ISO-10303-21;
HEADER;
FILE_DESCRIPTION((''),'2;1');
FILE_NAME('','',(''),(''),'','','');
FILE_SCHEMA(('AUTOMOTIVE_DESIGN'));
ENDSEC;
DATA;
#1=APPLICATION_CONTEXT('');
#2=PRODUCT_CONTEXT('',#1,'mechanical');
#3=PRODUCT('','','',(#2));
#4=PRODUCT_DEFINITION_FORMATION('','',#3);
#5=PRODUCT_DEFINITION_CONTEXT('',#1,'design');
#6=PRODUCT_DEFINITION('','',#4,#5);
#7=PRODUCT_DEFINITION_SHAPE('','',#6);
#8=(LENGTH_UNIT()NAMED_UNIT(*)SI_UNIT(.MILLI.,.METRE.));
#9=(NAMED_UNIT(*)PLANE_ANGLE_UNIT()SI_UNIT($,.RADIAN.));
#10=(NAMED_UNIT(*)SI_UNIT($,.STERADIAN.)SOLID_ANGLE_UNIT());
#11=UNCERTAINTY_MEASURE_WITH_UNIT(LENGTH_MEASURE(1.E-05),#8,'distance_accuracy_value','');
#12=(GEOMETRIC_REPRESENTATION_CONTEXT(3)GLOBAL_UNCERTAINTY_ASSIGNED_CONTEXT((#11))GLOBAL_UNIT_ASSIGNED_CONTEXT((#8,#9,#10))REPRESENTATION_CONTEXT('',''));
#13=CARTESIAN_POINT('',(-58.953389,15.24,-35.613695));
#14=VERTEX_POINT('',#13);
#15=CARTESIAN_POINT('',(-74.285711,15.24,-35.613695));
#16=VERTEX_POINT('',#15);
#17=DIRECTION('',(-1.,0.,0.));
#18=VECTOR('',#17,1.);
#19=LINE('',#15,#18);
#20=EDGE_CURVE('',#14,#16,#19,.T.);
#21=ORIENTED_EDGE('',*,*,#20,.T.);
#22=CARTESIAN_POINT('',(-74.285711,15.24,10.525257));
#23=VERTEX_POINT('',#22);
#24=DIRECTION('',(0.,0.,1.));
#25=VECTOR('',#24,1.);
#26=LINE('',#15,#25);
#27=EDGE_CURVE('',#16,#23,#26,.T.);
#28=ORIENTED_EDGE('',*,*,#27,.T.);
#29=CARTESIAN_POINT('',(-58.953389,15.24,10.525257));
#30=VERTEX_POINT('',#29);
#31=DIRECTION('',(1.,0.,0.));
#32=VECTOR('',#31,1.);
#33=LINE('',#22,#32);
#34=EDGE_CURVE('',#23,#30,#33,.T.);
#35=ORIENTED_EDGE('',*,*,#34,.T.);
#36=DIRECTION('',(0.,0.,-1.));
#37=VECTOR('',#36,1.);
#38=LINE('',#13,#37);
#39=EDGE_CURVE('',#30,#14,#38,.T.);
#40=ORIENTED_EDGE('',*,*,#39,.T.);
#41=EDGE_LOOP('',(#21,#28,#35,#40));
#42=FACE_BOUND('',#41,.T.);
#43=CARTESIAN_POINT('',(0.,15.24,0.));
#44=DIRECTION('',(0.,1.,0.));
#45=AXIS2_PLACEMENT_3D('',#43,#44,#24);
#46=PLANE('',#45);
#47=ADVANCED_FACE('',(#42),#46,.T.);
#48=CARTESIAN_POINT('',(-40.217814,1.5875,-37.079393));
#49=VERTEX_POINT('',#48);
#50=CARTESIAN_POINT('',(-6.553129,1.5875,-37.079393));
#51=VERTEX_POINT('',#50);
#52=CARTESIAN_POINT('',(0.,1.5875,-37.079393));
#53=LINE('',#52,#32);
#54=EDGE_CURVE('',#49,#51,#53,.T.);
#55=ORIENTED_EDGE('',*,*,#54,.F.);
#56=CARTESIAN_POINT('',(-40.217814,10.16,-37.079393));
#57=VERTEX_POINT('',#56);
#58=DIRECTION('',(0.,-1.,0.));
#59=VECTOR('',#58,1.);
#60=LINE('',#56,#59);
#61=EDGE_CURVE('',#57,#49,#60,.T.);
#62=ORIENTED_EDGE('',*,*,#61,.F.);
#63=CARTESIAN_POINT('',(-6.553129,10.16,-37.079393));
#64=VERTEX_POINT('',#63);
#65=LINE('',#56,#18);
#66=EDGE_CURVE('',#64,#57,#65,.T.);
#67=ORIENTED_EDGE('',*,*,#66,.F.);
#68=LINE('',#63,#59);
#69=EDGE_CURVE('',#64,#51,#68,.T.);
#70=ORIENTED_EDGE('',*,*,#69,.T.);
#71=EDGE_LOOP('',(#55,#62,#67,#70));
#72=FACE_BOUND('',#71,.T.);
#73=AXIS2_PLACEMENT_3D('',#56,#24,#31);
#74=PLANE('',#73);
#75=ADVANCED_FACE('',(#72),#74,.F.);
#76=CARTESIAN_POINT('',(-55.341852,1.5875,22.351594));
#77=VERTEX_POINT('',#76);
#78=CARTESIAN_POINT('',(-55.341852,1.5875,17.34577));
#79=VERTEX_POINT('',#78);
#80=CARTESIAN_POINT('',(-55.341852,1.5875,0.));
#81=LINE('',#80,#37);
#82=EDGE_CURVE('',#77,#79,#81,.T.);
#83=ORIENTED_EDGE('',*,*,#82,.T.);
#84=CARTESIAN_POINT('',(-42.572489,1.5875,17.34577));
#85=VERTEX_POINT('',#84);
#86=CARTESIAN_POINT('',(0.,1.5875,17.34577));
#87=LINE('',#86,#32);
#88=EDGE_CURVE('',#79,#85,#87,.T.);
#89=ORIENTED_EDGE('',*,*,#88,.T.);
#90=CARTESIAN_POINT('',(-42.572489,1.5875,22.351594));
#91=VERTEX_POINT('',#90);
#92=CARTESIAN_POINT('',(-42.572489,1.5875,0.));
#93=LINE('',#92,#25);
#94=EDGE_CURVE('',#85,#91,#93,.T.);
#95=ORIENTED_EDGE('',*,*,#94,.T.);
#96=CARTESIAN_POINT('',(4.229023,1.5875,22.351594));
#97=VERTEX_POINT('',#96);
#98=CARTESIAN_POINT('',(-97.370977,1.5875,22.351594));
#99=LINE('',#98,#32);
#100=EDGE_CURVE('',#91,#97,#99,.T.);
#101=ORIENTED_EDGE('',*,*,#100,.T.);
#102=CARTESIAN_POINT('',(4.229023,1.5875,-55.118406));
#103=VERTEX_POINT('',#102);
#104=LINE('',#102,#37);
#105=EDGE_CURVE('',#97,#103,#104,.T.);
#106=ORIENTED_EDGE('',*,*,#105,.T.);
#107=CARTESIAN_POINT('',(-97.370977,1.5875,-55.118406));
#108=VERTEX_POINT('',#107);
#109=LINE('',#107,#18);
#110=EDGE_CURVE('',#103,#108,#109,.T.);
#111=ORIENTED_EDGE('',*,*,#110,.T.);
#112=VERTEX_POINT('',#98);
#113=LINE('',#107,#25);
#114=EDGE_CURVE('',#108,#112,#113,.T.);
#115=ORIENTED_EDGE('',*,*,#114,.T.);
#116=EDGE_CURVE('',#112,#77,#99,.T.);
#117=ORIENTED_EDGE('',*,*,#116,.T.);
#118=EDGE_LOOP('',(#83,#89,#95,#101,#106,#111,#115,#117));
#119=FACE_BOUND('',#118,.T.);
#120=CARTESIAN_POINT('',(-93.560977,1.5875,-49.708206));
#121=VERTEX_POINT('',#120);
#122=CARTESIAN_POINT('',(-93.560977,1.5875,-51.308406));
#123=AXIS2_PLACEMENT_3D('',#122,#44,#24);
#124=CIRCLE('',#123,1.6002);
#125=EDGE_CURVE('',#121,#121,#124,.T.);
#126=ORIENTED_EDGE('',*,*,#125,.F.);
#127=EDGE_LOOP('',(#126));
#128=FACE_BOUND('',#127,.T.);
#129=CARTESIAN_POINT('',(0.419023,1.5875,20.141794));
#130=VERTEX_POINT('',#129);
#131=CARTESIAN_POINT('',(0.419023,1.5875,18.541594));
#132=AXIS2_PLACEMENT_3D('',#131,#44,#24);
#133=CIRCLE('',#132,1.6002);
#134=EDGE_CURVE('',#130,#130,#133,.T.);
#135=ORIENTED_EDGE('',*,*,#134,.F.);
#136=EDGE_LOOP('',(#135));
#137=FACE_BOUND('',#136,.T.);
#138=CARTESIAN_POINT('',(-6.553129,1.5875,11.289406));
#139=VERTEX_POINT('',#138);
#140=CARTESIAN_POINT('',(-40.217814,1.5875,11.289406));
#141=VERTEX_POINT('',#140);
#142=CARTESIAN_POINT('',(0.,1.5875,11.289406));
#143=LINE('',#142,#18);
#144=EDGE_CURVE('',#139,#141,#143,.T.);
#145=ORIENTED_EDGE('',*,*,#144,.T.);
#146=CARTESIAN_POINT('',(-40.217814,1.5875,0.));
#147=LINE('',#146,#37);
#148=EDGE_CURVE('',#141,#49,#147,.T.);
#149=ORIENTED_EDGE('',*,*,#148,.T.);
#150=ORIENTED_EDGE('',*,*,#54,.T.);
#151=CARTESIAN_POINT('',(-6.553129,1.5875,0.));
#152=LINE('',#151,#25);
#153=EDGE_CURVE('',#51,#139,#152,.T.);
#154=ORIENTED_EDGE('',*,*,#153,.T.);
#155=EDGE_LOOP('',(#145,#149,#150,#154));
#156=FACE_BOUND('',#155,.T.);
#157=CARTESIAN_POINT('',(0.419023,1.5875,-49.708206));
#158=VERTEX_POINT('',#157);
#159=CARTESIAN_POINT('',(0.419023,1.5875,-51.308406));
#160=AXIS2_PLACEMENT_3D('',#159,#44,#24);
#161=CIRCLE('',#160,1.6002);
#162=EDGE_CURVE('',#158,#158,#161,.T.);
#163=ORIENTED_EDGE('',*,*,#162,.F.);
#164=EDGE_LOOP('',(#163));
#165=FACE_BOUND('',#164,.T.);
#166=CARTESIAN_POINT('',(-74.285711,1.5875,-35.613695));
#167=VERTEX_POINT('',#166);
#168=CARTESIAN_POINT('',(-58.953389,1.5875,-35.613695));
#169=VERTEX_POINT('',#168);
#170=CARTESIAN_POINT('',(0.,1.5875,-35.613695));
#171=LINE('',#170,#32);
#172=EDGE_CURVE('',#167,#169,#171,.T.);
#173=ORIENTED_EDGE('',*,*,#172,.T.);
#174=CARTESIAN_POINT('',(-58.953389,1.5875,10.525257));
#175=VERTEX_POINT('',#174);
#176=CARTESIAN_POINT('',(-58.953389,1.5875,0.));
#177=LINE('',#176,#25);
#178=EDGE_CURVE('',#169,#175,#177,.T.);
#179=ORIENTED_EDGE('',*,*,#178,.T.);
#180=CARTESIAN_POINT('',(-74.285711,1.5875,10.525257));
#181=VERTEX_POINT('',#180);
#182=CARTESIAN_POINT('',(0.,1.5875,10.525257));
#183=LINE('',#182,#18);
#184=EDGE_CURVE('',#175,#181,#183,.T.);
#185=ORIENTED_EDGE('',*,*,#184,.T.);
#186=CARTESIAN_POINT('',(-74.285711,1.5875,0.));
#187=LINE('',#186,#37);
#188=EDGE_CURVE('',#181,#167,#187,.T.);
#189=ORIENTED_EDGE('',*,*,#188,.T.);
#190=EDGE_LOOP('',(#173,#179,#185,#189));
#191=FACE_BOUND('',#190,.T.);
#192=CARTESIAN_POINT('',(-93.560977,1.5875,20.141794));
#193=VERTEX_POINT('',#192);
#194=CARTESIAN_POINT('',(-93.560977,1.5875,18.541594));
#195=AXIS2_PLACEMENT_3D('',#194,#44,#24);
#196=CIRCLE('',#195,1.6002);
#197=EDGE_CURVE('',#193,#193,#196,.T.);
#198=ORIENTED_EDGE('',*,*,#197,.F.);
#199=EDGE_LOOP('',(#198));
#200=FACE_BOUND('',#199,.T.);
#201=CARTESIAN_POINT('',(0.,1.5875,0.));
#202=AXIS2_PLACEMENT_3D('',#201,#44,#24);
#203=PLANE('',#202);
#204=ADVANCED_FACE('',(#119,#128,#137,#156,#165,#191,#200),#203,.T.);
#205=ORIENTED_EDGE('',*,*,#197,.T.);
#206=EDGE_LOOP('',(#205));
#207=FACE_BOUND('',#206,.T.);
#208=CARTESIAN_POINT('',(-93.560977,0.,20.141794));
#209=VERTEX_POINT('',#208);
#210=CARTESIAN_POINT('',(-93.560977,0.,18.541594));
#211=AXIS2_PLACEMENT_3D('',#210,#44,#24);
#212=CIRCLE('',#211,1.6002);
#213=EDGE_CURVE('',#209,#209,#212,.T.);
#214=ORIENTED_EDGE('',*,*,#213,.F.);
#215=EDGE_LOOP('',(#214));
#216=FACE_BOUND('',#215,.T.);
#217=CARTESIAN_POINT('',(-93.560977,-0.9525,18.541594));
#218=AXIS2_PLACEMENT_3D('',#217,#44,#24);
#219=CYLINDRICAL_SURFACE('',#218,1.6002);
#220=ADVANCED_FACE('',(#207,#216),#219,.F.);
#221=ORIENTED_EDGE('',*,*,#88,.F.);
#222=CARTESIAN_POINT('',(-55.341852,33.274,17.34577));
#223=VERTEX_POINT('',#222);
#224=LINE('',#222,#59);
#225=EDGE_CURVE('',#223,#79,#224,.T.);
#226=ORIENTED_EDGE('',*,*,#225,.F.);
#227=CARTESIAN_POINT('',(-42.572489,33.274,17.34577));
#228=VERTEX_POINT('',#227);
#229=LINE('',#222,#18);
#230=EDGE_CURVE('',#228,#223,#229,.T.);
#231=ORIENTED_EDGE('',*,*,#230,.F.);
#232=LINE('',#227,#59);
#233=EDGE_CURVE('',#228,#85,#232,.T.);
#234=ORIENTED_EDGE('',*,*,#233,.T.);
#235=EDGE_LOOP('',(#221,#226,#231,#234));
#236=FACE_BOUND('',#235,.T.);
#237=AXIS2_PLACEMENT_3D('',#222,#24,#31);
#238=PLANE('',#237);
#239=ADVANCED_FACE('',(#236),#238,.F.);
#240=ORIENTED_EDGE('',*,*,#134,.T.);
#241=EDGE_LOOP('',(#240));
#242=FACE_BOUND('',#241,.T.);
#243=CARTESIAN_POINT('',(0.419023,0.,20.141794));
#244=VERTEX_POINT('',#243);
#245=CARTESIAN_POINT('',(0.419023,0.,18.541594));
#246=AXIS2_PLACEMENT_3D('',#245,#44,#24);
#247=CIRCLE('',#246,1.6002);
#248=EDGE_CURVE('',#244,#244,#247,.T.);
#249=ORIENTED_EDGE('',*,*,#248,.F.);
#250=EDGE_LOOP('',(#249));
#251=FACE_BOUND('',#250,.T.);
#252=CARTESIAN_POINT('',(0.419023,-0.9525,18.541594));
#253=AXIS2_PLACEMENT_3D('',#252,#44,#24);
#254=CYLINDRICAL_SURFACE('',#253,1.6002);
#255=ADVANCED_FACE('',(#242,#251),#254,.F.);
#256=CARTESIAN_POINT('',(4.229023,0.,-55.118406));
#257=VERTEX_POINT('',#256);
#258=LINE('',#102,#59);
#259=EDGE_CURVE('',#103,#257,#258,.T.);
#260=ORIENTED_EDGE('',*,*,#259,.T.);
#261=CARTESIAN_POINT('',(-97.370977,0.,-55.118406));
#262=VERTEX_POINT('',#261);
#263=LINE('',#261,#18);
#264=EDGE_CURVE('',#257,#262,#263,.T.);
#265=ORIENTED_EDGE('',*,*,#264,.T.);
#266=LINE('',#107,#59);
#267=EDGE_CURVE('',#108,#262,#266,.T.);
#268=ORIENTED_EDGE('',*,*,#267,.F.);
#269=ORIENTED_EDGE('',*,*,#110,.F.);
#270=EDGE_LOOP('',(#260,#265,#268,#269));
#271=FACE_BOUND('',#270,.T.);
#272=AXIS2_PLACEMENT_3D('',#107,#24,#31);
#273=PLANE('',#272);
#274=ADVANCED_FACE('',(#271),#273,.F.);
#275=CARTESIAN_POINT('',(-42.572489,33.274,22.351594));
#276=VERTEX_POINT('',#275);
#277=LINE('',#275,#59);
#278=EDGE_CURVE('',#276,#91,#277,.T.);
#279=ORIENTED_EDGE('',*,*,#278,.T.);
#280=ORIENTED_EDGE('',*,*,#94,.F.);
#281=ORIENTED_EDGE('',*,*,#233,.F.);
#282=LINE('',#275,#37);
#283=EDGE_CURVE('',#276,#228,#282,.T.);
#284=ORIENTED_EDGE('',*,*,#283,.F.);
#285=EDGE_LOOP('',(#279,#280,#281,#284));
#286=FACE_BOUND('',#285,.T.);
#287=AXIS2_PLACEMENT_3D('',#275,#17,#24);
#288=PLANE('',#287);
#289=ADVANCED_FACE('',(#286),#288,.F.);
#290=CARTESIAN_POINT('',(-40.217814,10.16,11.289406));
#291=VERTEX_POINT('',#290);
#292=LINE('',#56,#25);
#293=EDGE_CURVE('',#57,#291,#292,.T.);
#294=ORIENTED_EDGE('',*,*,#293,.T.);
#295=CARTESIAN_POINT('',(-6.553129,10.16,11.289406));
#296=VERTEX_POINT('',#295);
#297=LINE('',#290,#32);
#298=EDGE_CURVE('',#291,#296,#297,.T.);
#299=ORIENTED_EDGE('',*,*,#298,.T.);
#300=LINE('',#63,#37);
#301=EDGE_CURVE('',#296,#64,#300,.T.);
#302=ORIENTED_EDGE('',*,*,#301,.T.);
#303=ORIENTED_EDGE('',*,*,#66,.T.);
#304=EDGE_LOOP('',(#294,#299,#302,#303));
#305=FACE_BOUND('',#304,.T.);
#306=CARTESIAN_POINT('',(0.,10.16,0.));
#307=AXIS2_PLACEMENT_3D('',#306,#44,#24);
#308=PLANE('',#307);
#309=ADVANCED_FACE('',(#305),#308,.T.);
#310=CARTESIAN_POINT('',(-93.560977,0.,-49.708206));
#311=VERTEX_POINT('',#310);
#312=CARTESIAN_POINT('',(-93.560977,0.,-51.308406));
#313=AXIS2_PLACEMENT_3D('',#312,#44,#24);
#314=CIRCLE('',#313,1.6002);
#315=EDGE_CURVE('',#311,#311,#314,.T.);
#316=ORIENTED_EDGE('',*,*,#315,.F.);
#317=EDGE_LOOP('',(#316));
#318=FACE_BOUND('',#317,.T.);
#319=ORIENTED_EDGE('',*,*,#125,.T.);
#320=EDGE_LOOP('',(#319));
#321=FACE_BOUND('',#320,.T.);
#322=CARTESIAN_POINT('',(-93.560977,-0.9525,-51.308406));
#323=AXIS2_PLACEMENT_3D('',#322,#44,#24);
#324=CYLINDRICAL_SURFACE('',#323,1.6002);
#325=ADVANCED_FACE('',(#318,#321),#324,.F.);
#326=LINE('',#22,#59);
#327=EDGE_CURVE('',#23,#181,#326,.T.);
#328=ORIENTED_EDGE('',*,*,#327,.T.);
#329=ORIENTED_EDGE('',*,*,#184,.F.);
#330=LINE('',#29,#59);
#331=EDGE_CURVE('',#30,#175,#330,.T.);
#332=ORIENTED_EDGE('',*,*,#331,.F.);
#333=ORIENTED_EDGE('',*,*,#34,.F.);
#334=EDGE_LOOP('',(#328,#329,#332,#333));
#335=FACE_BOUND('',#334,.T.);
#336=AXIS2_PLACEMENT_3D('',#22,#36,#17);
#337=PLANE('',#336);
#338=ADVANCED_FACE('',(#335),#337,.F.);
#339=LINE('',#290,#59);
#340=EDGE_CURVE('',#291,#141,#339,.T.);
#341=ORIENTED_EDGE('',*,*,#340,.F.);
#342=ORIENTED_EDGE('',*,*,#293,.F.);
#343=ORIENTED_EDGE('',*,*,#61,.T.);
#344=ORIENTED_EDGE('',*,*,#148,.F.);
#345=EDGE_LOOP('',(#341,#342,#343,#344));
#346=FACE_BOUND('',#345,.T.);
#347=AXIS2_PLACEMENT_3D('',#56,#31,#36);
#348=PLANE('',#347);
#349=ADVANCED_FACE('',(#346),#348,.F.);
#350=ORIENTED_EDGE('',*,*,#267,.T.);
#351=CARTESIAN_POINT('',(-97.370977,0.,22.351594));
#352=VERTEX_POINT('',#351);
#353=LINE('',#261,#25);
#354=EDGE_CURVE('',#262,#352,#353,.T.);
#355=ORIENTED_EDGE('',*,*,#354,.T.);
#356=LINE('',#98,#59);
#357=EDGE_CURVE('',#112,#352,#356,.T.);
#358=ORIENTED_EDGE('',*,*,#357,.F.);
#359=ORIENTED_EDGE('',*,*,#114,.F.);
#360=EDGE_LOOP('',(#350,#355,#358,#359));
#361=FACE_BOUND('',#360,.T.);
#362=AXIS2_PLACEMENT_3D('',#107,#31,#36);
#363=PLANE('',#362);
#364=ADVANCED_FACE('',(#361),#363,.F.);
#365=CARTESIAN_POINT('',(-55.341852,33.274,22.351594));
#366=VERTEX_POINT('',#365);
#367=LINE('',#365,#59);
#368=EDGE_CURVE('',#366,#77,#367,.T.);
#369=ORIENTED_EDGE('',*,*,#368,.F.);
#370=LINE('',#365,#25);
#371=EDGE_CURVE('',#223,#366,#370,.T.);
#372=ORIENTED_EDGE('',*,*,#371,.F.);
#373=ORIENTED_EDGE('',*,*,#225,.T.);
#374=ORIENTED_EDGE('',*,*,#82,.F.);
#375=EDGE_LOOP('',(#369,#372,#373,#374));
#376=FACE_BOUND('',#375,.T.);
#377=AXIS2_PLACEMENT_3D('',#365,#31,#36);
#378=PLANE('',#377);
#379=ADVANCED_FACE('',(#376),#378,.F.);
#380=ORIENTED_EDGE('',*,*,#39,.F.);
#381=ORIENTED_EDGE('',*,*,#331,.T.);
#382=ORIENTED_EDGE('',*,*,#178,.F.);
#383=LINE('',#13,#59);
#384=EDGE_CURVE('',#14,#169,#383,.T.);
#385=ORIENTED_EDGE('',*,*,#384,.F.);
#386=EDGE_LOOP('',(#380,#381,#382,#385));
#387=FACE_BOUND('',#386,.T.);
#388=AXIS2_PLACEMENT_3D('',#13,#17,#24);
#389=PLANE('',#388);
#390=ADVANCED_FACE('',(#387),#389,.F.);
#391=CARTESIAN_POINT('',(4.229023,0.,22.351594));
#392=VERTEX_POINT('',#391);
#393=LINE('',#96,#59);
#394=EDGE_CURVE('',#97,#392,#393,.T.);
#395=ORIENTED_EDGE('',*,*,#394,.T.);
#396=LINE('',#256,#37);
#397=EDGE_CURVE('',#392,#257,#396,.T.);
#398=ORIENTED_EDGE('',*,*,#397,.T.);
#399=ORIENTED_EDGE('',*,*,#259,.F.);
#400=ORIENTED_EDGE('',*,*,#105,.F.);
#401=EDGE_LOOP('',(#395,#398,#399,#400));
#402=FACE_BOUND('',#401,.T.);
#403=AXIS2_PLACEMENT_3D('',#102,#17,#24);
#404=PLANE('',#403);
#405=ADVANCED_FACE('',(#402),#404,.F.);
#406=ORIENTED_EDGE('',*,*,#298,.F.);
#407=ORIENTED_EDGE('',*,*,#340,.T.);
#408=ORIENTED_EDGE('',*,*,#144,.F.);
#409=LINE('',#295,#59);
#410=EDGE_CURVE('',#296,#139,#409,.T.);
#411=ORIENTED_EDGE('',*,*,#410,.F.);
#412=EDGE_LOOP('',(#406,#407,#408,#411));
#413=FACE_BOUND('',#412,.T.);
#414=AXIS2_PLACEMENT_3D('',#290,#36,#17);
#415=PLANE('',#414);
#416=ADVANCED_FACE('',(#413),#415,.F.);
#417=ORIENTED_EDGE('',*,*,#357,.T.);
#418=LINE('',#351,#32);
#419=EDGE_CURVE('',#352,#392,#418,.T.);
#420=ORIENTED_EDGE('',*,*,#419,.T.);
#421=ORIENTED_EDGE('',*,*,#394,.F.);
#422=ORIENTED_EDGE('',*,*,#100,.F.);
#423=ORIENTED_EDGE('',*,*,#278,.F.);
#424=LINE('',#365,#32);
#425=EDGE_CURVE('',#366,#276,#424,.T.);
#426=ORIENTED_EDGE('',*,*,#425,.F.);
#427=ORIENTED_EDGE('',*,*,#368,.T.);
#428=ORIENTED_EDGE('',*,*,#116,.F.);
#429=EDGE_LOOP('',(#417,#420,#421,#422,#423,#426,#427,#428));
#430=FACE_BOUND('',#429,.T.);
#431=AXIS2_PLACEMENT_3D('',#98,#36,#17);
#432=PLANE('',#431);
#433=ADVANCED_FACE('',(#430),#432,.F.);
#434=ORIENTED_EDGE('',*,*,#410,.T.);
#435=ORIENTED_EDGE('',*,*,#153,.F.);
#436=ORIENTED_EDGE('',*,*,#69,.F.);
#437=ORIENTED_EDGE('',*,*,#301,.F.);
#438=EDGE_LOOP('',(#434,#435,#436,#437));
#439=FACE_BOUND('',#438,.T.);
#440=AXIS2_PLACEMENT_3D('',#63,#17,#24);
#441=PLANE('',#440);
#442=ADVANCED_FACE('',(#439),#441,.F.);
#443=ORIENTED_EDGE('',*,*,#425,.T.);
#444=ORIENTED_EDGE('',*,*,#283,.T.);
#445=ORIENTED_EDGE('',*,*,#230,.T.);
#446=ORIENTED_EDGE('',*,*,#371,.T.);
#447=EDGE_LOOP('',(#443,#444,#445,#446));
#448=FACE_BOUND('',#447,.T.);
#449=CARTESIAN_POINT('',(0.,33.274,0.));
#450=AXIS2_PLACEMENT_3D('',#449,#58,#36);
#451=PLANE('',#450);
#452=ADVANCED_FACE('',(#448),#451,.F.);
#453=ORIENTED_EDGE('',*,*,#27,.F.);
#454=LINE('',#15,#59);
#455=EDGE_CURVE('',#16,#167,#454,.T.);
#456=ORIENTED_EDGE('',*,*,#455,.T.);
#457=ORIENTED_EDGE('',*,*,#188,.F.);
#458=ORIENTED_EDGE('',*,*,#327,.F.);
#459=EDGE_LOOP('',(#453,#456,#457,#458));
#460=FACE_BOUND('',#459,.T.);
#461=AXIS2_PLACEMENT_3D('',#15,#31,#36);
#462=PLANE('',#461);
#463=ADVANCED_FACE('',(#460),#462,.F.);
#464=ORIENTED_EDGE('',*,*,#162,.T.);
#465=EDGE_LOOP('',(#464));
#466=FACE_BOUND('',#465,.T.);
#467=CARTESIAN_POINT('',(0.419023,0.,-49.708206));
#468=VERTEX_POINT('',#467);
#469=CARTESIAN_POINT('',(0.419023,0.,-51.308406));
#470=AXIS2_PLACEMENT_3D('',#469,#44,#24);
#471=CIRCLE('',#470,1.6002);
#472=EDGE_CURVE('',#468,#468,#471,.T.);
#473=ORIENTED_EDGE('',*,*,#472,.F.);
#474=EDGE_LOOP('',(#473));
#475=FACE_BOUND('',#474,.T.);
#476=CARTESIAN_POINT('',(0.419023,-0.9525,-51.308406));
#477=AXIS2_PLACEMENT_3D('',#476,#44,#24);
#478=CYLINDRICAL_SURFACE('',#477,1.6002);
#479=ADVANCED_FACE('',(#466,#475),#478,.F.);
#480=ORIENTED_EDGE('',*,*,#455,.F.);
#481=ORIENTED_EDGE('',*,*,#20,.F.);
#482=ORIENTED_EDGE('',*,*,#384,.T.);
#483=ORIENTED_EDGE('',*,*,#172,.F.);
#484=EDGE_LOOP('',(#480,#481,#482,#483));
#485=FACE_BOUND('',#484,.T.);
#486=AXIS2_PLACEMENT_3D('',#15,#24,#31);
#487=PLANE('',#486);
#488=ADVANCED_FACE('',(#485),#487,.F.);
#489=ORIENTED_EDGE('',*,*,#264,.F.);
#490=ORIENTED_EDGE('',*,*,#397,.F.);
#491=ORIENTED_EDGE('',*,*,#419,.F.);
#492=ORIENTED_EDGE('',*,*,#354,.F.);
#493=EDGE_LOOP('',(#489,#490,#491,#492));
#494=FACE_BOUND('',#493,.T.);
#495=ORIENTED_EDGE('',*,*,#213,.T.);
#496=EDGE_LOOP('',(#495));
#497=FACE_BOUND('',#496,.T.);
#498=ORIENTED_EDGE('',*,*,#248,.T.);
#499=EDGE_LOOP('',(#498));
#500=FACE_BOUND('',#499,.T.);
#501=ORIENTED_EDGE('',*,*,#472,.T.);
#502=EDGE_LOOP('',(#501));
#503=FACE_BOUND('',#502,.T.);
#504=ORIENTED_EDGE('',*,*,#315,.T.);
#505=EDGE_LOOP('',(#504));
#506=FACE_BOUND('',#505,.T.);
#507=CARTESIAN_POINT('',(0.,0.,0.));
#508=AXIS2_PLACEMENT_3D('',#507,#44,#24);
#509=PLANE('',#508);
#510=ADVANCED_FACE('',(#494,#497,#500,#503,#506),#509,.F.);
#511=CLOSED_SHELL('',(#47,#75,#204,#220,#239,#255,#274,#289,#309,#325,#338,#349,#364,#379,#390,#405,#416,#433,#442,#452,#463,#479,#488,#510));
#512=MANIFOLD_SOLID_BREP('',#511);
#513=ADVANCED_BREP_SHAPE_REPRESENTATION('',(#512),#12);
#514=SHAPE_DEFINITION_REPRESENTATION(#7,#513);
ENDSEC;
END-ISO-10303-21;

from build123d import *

# Parameters (mm, degrees)
SKETCH1_W           = 101.6
SKETCH1_H           = 77.47
BOSS_EXTRUDE1_DEPTH = 1.5875
SKETCH2_R           = 1.6002
CUT_EXTRUDE1_DEPTH  = 2.54
SKETCH3_W           = 12.769362992
SKETCH3_H           = 5.005824016
BOSS_EXTRUDE2_DEPTH = 33.274
SKETCH4_W           = 33.664684251
SKETCH4_H           = 48.368799212
BOSS_EXTRUDE3_DEPTH = 10.16
SKETCH5_W           = 15.332321875
SKETCH5_H           = 46.138952111
BOSS_EXTRUDE4_DEPTH = 15.24


with BuildPart() as part:
    # Sketch1 → Boss-Extrude1 (new body)
    with BuildSketch(Plane(origin=(0, 0, 0), x_dir=(1, 0, 0), z_dir=(0, 1, 0))):
        with Locations((-46.570976536, 16.383405637)):
            Rectangle(SKETCH1_W, SKETCH1_H)
    extrude(amount=BOSS_EXTRUDE1_DEPTH)

    # Sketch2 → Cut-Extrude1 (cut)
    with BuildSketch(Plane(origin=(0, 1.5875, 0), x_dir=(1, 0, 0), z_dir=(0, 1, 0))):
        with Locations((-93.560976536, -18.541594363)):
            Circle(SKETCH2_R)
        with Locations((-93.560976536, 51.308405637)):
            Circle(SKETCH2_R)
        with Locations((0.419023464, 51.308405637)):
            Circle(SKETCH2_R)
        with Locations((0.419023464, -18.541594363)):
            Circle(SKETCH2_R)
    extrude(amount=-CUT_EXTRUDE1_DEPTH, mode=Mode.SUBTRACT)

    # Sketch3 → Boss-Extrude2 (add)
    with BuildSketch(Plane(origin=(0, 0, 0), x_dir=(1, 0, 0), z_dir=(0, 1, 0))):
        with Locations((-48.957170631, -19.848682355)):
            Rectangle(SKETCH3_W, SKETCH3_H)
    extrude(amount=BOSS_EXTRUDE2_DEPTH)

    # Sketch4 → Boss-Extrude3 (add)
    with BuildSketch(Plane(origin=(0, 0, 0), x_dir=(1, 0, 0), z_dir=(0, 1, 0))):
        with Locations((-23.385471389, 12.894993304)):
            Rectangle(SKETCH4_W, SKETCH4_H)
    extrude(amount=BOSS_EXTRUDE3_DEPTH)

    # Sketch5 → Boss-Extrude4 (add)
    with BuildSketch(Plane(origin=(0, 0, 0), x_dir=(1, 0, 0), z_dir=(0, 1, 0))):
        with Locations((-66.619550072, 12.54421879)):
            Rectangle(SKETCH5_W, SKETCH5_H)
    extrude(amount=BOSS_EXTRUDE4_DEPTH)


solid = part.part
